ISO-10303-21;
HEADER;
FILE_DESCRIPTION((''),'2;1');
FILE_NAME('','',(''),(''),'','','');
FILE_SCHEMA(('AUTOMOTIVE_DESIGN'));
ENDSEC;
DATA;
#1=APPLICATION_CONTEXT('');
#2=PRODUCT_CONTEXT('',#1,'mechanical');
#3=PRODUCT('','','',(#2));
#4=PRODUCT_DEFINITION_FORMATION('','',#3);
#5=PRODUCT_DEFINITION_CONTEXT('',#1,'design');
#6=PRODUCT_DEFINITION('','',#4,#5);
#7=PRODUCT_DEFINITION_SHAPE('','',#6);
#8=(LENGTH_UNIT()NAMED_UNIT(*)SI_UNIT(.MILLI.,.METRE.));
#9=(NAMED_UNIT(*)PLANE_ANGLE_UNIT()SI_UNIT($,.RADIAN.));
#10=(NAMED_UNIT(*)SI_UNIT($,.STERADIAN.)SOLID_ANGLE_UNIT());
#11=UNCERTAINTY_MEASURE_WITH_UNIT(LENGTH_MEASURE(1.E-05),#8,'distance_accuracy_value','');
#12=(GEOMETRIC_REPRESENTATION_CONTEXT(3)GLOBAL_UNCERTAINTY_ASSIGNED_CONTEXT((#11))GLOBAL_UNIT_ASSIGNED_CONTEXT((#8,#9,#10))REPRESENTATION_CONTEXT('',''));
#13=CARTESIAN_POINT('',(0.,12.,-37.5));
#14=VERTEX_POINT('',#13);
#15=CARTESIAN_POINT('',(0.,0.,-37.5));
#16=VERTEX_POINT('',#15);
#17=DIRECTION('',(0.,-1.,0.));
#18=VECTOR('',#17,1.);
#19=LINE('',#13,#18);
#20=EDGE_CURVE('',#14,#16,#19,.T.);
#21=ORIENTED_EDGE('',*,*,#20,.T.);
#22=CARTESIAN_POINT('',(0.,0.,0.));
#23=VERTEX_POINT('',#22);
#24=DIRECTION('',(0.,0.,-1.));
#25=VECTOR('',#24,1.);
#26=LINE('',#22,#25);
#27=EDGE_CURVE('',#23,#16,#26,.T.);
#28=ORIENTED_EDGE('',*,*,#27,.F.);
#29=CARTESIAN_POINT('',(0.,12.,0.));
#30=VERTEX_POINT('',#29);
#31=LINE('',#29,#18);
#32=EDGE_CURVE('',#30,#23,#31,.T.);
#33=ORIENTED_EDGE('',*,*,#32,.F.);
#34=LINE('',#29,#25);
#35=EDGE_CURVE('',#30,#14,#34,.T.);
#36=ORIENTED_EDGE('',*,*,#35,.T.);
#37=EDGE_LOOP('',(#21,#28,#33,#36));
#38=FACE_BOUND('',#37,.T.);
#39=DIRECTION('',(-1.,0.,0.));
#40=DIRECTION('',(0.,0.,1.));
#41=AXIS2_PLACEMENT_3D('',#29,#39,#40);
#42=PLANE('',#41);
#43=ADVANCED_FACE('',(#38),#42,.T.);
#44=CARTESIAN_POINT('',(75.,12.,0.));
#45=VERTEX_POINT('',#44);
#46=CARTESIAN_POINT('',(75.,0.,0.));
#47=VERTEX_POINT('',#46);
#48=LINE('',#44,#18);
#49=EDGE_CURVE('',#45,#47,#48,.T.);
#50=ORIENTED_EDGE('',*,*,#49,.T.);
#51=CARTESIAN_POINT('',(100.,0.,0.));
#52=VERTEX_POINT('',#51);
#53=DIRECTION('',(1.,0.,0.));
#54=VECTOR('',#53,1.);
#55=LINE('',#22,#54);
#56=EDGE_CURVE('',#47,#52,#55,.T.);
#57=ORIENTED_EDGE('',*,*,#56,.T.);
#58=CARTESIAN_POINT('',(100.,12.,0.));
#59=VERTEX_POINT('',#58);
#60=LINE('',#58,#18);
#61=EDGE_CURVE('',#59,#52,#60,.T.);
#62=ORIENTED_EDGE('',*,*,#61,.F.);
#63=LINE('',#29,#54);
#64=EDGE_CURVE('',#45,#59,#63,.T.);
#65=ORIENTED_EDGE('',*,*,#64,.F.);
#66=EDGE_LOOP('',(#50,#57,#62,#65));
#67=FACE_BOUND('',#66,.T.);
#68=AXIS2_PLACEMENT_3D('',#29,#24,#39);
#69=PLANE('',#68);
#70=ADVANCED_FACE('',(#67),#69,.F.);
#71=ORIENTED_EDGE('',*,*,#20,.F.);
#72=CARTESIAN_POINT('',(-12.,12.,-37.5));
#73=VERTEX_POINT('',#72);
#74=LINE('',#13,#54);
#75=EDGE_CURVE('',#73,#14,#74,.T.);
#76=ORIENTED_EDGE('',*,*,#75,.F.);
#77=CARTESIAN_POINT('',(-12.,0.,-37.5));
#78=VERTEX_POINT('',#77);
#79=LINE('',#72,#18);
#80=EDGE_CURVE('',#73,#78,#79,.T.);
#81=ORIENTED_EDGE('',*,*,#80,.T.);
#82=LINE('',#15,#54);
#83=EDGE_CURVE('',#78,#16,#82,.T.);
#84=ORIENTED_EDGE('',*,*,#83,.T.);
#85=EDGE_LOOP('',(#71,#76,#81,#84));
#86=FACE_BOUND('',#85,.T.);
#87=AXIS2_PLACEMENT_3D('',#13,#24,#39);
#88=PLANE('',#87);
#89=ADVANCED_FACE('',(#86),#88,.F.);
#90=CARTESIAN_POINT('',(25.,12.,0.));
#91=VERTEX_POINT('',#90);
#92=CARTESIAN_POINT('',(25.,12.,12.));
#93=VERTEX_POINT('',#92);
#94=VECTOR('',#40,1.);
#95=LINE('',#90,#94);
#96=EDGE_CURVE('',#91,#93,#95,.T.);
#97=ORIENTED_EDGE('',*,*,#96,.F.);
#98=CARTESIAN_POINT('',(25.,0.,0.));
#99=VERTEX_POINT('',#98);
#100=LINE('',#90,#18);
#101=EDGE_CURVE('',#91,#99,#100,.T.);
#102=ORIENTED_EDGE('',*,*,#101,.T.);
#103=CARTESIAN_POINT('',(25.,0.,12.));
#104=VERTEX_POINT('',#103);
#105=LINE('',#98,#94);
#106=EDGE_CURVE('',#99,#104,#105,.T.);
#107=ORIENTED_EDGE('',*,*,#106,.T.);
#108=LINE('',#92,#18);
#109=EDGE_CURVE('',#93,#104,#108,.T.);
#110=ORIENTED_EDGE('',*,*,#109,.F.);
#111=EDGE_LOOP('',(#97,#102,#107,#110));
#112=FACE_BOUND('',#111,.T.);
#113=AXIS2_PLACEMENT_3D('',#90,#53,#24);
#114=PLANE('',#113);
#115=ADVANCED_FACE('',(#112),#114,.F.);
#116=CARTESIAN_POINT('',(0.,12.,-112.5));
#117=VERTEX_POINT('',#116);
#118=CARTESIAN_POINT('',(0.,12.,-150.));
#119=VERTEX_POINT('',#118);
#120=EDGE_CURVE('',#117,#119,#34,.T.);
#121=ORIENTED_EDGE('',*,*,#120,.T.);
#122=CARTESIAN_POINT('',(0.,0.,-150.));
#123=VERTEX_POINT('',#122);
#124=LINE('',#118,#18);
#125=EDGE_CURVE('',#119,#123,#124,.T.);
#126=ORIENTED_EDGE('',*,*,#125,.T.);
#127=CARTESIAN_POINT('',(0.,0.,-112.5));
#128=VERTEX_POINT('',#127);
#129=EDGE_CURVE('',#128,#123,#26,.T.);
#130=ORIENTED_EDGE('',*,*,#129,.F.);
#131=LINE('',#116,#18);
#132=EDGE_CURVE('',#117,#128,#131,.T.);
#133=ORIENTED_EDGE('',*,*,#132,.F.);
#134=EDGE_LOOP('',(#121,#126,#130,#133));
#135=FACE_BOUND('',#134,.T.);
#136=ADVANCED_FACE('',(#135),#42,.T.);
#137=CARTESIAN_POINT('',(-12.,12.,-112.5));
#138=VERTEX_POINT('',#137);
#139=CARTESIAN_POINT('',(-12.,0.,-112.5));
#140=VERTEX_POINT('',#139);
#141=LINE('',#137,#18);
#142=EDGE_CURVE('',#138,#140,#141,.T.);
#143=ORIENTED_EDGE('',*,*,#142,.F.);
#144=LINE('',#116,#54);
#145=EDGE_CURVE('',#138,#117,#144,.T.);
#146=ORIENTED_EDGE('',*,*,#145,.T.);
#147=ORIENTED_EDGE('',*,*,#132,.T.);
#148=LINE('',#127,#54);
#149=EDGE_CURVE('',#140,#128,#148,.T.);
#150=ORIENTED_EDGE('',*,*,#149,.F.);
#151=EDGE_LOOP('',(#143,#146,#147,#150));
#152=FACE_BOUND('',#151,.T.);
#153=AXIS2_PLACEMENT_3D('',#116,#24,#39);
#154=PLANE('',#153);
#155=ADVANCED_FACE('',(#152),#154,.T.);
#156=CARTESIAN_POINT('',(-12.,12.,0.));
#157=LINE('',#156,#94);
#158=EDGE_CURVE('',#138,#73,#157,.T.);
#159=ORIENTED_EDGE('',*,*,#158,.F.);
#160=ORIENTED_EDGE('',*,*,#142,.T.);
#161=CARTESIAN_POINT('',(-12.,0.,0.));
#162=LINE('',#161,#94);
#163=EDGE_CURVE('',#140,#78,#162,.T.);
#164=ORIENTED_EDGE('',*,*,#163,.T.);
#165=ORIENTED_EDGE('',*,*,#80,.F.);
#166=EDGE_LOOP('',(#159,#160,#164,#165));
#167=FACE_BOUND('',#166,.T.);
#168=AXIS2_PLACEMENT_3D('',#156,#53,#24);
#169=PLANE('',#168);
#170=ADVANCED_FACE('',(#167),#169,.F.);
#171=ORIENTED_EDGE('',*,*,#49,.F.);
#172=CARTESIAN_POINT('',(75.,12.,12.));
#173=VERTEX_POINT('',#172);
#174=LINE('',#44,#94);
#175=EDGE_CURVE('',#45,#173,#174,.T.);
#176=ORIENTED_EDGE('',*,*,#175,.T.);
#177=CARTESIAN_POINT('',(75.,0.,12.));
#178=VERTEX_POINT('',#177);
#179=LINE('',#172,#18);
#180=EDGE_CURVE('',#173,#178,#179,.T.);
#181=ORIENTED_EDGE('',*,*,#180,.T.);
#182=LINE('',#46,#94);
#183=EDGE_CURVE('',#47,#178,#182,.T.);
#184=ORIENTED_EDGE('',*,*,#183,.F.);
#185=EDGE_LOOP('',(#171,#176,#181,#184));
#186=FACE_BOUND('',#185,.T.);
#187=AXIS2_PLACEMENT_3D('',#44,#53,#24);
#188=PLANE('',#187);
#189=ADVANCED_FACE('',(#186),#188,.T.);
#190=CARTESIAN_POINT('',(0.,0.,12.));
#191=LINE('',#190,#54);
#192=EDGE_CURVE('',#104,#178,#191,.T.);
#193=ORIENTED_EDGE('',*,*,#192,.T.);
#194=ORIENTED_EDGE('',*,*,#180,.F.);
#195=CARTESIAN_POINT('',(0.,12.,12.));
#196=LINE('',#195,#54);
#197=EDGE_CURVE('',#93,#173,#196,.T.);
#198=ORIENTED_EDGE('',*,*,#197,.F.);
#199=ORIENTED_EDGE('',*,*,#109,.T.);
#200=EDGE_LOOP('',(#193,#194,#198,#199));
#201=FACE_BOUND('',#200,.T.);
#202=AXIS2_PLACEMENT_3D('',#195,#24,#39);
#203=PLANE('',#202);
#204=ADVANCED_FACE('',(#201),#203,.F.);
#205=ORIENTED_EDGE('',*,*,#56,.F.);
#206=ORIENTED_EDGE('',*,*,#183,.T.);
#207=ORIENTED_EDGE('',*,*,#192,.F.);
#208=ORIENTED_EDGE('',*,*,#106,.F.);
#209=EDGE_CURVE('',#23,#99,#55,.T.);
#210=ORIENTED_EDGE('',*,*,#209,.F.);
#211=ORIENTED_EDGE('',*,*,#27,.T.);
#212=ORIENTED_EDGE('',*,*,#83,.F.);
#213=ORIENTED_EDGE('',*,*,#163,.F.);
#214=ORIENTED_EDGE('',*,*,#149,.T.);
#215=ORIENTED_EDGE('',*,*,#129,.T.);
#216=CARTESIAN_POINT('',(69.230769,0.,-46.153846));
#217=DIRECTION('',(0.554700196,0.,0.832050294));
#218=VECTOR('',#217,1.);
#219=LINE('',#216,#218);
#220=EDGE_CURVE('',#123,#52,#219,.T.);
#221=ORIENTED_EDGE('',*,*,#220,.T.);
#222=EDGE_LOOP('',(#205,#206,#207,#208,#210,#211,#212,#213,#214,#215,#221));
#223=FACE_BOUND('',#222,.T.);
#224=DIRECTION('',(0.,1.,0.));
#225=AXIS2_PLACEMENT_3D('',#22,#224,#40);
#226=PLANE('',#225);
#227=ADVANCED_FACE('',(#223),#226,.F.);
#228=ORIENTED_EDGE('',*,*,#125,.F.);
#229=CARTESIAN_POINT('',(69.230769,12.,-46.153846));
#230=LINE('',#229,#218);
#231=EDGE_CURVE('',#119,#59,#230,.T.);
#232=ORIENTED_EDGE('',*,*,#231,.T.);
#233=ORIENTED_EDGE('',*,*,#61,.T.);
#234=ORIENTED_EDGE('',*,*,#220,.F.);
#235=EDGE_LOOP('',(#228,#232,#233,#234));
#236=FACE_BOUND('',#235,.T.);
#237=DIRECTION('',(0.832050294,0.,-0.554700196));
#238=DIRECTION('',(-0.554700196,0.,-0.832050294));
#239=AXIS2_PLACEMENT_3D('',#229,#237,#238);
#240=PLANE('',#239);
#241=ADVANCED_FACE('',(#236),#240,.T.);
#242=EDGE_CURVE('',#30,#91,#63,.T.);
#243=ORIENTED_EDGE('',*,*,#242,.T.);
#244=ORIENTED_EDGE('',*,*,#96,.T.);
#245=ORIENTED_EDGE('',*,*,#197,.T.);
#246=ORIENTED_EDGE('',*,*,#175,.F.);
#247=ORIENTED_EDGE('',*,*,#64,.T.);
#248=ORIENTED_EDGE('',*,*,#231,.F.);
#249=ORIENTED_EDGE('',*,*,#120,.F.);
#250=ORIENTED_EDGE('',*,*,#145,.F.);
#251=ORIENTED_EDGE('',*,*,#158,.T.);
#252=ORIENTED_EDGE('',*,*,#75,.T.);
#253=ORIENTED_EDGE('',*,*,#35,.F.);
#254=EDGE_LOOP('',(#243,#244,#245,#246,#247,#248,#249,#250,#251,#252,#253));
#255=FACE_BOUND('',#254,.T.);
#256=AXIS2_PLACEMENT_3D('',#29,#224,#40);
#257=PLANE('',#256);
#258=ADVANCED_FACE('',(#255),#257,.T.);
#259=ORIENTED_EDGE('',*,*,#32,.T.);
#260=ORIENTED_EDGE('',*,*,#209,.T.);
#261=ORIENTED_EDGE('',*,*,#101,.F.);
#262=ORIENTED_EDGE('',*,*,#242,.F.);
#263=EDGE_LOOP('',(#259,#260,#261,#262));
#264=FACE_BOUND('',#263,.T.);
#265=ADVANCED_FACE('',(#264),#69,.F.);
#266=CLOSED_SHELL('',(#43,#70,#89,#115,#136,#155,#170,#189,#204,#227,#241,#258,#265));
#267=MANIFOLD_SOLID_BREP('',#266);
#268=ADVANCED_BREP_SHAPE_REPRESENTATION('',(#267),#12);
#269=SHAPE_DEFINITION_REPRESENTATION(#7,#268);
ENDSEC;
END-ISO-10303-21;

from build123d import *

# Parameters (mm, degrees)
SKETCH1_W           = 12
SKETCH1_H           = 75
SKETCH1_W_2         = 50
SKETCH1_H_2         = 12
BOSS_EXTRUDE1_DEPTH = 12


with BuildPart() as part:
    # Sketch1 → Boss-Extrude1 (new body)
    with BuildSketch(Plane(origin=(0, 0, 0), x_dir=(1, 0, 0), z_dir=(0, 1, 0))):
        with Locations((-6, 75)):
            Rectangle(SKETCH1_W, SKETCH1_H)
        Polygon((0, 37.5), (0, 0), (25, 0), (25, 12), (75, 12), (75, 0), (100, 0), (0, 150), (0, 112.5), (12, 112.5), (12, 37.5), align=None)
        with Locations((50, -6)):
            Rectangle(SKETCH1_W_2, SKETCH1_H_2)
        with Locations((50, 6)):
            Rectangle(SKETCH1_W_2, SKETCH1_H_2)
        with Locations((6, 75)):
            Rectangle(SKETCH1_W, SKETCH1_H)
    extrude(amount=BOSS_EXTRUDE1_DEPTH)


solid = part.part
